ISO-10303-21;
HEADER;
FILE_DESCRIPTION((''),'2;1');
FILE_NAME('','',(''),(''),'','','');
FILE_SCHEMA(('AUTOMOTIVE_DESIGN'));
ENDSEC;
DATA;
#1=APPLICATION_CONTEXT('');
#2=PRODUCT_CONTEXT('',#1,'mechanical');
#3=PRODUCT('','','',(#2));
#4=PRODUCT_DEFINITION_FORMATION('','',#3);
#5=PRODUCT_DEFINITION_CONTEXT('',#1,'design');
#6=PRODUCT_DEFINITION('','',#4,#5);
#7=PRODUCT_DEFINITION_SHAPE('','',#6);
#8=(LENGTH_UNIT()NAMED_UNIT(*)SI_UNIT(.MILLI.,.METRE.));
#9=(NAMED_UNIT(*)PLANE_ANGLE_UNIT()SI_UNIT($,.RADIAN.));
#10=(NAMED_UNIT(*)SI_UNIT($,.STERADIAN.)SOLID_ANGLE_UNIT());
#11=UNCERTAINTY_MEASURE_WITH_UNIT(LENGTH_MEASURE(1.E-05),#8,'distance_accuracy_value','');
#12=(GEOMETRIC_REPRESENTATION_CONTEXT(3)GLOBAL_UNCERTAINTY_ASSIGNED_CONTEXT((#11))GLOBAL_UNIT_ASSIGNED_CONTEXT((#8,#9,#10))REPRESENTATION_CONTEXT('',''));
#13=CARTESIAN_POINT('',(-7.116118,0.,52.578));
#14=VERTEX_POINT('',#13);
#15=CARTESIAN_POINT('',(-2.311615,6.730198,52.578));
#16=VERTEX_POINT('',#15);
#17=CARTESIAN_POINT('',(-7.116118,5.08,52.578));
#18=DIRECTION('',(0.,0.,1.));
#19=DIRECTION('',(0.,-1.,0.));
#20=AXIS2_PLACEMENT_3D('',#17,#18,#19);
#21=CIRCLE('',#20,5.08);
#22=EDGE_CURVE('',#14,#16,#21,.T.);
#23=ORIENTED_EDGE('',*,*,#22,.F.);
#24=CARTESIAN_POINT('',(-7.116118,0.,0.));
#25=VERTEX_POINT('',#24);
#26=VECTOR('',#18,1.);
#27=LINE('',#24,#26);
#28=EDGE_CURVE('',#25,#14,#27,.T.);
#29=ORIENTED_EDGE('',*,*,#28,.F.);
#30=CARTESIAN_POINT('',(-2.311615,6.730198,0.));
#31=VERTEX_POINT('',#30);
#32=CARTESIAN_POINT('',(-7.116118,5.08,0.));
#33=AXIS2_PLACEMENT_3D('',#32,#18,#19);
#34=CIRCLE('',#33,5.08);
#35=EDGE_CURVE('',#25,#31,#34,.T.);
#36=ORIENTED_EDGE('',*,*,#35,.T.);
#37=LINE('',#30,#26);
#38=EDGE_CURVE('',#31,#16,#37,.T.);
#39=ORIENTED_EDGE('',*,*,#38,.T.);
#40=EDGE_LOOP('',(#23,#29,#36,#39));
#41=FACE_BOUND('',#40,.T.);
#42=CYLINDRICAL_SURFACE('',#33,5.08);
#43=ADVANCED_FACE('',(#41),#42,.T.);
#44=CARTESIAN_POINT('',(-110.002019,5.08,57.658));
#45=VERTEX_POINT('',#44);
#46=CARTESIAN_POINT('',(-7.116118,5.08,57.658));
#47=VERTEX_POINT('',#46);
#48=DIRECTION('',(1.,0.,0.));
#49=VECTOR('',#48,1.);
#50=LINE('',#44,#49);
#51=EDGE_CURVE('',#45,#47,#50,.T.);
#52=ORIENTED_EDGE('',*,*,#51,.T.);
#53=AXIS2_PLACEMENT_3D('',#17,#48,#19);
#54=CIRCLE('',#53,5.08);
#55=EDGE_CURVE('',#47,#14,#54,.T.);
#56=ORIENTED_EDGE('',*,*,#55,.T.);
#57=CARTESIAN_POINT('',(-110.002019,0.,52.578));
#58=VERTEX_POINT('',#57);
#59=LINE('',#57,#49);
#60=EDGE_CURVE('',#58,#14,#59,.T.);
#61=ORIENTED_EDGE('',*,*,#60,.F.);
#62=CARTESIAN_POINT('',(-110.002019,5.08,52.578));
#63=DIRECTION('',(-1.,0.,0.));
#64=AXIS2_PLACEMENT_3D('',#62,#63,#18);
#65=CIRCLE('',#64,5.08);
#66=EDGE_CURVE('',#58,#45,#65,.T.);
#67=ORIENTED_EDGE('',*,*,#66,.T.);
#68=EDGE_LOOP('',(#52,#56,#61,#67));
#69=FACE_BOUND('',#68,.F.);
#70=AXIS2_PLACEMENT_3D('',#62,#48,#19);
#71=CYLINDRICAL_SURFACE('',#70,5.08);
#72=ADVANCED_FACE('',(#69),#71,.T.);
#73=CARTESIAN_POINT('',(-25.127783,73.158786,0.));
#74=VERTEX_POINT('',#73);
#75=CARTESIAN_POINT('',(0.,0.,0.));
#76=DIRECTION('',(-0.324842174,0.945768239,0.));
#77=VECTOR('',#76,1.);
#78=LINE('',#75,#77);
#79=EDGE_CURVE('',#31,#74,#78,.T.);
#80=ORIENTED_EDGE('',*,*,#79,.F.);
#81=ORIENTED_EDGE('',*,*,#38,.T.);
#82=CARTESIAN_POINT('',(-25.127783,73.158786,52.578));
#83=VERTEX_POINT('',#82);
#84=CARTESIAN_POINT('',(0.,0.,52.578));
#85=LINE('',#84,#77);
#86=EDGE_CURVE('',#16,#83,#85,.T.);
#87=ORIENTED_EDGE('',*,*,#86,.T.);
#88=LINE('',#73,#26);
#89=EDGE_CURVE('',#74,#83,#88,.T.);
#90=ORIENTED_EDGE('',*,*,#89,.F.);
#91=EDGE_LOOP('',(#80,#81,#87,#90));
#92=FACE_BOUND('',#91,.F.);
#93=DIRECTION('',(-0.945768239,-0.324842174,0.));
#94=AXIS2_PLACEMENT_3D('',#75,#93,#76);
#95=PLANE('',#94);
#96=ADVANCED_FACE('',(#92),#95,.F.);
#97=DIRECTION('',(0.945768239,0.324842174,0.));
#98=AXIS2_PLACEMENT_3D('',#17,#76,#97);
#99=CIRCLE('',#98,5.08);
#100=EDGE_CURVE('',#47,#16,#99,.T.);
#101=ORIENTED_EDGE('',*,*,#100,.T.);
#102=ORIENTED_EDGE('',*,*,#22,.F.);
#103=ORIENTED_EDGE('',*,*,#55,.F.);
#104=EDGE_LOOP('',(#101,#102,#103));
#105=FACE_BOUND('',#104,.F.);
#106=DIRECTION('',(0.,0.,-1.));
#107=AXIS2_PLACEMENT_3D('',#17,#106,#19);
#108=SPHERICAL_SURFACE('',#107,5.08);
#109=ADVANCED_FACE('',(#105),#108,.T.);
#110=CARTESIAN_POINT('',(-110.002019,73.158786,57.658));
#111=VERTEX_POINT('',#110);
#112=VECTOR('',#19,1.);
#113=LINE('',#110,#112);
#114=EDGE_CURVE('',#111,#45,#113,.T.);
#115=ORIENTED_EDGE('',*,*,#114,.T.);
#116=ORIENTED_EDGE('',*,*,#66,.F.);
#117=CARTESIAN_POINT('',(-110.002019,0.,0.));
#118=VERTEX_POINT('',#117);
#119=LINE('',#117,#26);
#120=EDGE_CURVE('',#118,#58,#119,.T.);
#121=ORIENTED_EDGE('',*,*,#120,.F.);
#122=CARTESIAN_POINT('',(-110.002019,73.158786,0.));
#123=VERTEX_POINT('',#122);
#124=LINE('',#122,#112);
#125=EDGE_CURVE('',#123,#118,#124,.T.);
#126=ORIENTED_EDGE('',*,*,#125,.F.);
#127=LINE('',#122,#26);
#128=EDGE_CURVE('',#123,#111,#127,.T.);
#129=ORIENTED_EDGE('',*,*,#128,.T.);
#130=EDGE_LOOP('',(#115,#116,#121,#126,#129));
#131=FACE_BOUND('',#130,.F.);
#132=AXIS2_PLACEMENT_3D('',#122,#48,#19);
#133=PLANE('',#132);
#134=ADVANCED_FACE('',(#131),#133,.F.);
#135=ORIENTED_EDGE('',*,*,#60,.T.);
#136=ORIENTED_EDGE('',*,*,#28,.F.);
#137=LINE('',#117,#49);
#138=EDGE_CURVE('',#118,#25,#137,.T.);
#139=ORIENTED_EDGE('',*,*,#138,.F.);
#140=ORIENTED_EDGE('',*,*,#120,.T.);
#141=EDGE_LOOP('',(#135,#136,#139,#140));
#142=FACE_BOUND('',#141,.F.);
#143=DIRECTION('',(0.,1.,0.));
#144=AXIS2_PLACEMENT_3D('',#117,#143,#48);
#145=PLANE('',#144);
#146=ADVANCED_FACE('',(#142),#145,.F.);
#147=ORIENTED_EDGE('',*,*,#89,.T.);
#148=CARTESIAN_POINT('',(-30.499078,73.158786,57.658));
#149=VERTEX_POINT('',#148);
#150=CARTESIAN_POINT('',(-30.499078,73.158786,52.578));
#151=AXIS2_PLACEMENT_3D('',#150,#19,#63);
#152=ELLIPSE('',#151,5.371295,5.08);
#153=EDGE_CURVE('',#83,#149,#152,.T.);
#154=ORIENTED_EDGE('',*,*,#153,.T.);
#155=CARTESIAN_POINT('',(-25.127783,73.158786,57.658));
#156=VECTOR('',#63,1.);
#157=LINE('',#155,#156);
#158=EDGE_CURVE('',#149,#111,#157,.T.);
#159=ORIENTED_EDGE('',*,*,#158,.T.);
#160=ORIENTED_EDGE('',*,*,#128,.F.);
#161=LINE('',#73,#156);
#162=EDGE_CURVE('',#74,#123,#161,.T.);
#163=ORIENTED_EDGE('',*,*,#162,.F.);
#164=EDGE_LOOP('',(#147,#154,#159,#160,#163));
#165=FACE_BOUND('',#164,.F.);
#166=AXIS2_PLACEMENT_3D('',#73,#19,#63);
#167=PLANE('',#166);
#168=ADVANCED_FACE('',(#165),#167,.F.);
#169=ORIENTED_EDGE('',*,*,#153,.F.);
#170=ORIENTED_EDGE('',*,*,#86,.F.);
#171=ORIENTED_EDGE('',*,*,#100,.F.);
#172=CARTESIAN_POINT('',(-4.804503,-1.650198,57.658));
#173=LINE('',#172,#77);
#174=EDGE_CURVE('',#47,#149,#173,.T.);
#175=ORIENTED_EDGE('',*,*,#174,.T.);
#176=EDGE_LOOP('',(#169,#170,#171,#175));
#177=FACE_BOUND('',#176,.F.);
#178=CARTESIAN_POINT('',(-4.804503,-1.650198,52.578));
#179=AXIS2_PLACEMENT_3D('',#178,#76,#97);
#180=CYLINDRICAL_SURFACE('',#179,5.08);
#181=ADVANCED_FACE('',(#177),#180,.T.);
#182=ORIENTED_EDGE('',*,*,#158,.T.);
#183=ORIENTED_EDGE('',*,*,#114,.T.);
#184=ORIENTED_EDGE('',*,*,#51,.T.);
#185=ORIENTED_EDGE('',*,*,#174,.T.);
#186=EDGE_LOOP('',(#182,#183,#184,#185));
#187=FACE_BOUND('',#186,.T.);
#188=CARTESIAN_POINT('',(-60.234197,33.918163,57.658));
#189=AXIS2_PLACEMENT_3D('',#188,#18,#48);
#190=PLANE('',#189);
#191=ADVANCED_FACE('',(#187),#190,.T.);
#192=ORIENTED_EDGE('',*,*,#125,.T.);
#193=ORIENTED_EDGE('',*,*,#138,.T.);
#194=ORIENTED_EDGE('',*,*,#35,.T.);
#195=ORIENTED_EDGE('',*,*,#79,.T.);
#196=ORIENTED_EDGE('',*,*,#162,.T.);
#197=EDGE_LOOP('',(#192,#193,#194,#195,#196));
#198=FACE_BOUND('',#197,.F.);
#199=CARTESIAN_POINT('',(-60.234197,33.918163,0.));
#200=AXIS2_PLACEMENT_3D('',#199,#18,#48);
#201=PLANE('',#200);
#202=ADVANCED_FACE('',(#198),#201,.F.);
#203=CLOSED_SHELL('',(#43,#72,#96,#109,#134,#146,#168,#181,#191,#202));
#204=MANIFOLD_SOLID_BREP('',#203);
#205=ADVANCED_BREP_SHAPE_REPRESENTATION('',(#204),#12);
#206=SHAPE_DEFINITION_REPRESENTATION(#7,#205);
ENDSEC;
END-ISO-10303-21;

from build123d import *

# Parameters (mm, degrees)
F1_DEPTH = 57.658
F2_R     = 5.08


with BuildPart() as f1:
    # F0 (on Top) → F1 (new body)
    with BuildSketch(Plane.XY):
        Polygon((-110.002019, 0), (0, 0), (-25.127783, 73.158786), (-110.002019, 73.158786), align=None)
    extrude(amount=F1_DEPTH)

    # F2
    f2_edges = [f1.edges().sort_by_distance(p)[0] for p in [
        (-55.001009, 0, 57.658),
        (-12.563892, 36.579393, 57.658),
        (0, 0, 28.829),
    ]]
    fillet(f2_edges, radius=F2_R)


solid = f1.part
